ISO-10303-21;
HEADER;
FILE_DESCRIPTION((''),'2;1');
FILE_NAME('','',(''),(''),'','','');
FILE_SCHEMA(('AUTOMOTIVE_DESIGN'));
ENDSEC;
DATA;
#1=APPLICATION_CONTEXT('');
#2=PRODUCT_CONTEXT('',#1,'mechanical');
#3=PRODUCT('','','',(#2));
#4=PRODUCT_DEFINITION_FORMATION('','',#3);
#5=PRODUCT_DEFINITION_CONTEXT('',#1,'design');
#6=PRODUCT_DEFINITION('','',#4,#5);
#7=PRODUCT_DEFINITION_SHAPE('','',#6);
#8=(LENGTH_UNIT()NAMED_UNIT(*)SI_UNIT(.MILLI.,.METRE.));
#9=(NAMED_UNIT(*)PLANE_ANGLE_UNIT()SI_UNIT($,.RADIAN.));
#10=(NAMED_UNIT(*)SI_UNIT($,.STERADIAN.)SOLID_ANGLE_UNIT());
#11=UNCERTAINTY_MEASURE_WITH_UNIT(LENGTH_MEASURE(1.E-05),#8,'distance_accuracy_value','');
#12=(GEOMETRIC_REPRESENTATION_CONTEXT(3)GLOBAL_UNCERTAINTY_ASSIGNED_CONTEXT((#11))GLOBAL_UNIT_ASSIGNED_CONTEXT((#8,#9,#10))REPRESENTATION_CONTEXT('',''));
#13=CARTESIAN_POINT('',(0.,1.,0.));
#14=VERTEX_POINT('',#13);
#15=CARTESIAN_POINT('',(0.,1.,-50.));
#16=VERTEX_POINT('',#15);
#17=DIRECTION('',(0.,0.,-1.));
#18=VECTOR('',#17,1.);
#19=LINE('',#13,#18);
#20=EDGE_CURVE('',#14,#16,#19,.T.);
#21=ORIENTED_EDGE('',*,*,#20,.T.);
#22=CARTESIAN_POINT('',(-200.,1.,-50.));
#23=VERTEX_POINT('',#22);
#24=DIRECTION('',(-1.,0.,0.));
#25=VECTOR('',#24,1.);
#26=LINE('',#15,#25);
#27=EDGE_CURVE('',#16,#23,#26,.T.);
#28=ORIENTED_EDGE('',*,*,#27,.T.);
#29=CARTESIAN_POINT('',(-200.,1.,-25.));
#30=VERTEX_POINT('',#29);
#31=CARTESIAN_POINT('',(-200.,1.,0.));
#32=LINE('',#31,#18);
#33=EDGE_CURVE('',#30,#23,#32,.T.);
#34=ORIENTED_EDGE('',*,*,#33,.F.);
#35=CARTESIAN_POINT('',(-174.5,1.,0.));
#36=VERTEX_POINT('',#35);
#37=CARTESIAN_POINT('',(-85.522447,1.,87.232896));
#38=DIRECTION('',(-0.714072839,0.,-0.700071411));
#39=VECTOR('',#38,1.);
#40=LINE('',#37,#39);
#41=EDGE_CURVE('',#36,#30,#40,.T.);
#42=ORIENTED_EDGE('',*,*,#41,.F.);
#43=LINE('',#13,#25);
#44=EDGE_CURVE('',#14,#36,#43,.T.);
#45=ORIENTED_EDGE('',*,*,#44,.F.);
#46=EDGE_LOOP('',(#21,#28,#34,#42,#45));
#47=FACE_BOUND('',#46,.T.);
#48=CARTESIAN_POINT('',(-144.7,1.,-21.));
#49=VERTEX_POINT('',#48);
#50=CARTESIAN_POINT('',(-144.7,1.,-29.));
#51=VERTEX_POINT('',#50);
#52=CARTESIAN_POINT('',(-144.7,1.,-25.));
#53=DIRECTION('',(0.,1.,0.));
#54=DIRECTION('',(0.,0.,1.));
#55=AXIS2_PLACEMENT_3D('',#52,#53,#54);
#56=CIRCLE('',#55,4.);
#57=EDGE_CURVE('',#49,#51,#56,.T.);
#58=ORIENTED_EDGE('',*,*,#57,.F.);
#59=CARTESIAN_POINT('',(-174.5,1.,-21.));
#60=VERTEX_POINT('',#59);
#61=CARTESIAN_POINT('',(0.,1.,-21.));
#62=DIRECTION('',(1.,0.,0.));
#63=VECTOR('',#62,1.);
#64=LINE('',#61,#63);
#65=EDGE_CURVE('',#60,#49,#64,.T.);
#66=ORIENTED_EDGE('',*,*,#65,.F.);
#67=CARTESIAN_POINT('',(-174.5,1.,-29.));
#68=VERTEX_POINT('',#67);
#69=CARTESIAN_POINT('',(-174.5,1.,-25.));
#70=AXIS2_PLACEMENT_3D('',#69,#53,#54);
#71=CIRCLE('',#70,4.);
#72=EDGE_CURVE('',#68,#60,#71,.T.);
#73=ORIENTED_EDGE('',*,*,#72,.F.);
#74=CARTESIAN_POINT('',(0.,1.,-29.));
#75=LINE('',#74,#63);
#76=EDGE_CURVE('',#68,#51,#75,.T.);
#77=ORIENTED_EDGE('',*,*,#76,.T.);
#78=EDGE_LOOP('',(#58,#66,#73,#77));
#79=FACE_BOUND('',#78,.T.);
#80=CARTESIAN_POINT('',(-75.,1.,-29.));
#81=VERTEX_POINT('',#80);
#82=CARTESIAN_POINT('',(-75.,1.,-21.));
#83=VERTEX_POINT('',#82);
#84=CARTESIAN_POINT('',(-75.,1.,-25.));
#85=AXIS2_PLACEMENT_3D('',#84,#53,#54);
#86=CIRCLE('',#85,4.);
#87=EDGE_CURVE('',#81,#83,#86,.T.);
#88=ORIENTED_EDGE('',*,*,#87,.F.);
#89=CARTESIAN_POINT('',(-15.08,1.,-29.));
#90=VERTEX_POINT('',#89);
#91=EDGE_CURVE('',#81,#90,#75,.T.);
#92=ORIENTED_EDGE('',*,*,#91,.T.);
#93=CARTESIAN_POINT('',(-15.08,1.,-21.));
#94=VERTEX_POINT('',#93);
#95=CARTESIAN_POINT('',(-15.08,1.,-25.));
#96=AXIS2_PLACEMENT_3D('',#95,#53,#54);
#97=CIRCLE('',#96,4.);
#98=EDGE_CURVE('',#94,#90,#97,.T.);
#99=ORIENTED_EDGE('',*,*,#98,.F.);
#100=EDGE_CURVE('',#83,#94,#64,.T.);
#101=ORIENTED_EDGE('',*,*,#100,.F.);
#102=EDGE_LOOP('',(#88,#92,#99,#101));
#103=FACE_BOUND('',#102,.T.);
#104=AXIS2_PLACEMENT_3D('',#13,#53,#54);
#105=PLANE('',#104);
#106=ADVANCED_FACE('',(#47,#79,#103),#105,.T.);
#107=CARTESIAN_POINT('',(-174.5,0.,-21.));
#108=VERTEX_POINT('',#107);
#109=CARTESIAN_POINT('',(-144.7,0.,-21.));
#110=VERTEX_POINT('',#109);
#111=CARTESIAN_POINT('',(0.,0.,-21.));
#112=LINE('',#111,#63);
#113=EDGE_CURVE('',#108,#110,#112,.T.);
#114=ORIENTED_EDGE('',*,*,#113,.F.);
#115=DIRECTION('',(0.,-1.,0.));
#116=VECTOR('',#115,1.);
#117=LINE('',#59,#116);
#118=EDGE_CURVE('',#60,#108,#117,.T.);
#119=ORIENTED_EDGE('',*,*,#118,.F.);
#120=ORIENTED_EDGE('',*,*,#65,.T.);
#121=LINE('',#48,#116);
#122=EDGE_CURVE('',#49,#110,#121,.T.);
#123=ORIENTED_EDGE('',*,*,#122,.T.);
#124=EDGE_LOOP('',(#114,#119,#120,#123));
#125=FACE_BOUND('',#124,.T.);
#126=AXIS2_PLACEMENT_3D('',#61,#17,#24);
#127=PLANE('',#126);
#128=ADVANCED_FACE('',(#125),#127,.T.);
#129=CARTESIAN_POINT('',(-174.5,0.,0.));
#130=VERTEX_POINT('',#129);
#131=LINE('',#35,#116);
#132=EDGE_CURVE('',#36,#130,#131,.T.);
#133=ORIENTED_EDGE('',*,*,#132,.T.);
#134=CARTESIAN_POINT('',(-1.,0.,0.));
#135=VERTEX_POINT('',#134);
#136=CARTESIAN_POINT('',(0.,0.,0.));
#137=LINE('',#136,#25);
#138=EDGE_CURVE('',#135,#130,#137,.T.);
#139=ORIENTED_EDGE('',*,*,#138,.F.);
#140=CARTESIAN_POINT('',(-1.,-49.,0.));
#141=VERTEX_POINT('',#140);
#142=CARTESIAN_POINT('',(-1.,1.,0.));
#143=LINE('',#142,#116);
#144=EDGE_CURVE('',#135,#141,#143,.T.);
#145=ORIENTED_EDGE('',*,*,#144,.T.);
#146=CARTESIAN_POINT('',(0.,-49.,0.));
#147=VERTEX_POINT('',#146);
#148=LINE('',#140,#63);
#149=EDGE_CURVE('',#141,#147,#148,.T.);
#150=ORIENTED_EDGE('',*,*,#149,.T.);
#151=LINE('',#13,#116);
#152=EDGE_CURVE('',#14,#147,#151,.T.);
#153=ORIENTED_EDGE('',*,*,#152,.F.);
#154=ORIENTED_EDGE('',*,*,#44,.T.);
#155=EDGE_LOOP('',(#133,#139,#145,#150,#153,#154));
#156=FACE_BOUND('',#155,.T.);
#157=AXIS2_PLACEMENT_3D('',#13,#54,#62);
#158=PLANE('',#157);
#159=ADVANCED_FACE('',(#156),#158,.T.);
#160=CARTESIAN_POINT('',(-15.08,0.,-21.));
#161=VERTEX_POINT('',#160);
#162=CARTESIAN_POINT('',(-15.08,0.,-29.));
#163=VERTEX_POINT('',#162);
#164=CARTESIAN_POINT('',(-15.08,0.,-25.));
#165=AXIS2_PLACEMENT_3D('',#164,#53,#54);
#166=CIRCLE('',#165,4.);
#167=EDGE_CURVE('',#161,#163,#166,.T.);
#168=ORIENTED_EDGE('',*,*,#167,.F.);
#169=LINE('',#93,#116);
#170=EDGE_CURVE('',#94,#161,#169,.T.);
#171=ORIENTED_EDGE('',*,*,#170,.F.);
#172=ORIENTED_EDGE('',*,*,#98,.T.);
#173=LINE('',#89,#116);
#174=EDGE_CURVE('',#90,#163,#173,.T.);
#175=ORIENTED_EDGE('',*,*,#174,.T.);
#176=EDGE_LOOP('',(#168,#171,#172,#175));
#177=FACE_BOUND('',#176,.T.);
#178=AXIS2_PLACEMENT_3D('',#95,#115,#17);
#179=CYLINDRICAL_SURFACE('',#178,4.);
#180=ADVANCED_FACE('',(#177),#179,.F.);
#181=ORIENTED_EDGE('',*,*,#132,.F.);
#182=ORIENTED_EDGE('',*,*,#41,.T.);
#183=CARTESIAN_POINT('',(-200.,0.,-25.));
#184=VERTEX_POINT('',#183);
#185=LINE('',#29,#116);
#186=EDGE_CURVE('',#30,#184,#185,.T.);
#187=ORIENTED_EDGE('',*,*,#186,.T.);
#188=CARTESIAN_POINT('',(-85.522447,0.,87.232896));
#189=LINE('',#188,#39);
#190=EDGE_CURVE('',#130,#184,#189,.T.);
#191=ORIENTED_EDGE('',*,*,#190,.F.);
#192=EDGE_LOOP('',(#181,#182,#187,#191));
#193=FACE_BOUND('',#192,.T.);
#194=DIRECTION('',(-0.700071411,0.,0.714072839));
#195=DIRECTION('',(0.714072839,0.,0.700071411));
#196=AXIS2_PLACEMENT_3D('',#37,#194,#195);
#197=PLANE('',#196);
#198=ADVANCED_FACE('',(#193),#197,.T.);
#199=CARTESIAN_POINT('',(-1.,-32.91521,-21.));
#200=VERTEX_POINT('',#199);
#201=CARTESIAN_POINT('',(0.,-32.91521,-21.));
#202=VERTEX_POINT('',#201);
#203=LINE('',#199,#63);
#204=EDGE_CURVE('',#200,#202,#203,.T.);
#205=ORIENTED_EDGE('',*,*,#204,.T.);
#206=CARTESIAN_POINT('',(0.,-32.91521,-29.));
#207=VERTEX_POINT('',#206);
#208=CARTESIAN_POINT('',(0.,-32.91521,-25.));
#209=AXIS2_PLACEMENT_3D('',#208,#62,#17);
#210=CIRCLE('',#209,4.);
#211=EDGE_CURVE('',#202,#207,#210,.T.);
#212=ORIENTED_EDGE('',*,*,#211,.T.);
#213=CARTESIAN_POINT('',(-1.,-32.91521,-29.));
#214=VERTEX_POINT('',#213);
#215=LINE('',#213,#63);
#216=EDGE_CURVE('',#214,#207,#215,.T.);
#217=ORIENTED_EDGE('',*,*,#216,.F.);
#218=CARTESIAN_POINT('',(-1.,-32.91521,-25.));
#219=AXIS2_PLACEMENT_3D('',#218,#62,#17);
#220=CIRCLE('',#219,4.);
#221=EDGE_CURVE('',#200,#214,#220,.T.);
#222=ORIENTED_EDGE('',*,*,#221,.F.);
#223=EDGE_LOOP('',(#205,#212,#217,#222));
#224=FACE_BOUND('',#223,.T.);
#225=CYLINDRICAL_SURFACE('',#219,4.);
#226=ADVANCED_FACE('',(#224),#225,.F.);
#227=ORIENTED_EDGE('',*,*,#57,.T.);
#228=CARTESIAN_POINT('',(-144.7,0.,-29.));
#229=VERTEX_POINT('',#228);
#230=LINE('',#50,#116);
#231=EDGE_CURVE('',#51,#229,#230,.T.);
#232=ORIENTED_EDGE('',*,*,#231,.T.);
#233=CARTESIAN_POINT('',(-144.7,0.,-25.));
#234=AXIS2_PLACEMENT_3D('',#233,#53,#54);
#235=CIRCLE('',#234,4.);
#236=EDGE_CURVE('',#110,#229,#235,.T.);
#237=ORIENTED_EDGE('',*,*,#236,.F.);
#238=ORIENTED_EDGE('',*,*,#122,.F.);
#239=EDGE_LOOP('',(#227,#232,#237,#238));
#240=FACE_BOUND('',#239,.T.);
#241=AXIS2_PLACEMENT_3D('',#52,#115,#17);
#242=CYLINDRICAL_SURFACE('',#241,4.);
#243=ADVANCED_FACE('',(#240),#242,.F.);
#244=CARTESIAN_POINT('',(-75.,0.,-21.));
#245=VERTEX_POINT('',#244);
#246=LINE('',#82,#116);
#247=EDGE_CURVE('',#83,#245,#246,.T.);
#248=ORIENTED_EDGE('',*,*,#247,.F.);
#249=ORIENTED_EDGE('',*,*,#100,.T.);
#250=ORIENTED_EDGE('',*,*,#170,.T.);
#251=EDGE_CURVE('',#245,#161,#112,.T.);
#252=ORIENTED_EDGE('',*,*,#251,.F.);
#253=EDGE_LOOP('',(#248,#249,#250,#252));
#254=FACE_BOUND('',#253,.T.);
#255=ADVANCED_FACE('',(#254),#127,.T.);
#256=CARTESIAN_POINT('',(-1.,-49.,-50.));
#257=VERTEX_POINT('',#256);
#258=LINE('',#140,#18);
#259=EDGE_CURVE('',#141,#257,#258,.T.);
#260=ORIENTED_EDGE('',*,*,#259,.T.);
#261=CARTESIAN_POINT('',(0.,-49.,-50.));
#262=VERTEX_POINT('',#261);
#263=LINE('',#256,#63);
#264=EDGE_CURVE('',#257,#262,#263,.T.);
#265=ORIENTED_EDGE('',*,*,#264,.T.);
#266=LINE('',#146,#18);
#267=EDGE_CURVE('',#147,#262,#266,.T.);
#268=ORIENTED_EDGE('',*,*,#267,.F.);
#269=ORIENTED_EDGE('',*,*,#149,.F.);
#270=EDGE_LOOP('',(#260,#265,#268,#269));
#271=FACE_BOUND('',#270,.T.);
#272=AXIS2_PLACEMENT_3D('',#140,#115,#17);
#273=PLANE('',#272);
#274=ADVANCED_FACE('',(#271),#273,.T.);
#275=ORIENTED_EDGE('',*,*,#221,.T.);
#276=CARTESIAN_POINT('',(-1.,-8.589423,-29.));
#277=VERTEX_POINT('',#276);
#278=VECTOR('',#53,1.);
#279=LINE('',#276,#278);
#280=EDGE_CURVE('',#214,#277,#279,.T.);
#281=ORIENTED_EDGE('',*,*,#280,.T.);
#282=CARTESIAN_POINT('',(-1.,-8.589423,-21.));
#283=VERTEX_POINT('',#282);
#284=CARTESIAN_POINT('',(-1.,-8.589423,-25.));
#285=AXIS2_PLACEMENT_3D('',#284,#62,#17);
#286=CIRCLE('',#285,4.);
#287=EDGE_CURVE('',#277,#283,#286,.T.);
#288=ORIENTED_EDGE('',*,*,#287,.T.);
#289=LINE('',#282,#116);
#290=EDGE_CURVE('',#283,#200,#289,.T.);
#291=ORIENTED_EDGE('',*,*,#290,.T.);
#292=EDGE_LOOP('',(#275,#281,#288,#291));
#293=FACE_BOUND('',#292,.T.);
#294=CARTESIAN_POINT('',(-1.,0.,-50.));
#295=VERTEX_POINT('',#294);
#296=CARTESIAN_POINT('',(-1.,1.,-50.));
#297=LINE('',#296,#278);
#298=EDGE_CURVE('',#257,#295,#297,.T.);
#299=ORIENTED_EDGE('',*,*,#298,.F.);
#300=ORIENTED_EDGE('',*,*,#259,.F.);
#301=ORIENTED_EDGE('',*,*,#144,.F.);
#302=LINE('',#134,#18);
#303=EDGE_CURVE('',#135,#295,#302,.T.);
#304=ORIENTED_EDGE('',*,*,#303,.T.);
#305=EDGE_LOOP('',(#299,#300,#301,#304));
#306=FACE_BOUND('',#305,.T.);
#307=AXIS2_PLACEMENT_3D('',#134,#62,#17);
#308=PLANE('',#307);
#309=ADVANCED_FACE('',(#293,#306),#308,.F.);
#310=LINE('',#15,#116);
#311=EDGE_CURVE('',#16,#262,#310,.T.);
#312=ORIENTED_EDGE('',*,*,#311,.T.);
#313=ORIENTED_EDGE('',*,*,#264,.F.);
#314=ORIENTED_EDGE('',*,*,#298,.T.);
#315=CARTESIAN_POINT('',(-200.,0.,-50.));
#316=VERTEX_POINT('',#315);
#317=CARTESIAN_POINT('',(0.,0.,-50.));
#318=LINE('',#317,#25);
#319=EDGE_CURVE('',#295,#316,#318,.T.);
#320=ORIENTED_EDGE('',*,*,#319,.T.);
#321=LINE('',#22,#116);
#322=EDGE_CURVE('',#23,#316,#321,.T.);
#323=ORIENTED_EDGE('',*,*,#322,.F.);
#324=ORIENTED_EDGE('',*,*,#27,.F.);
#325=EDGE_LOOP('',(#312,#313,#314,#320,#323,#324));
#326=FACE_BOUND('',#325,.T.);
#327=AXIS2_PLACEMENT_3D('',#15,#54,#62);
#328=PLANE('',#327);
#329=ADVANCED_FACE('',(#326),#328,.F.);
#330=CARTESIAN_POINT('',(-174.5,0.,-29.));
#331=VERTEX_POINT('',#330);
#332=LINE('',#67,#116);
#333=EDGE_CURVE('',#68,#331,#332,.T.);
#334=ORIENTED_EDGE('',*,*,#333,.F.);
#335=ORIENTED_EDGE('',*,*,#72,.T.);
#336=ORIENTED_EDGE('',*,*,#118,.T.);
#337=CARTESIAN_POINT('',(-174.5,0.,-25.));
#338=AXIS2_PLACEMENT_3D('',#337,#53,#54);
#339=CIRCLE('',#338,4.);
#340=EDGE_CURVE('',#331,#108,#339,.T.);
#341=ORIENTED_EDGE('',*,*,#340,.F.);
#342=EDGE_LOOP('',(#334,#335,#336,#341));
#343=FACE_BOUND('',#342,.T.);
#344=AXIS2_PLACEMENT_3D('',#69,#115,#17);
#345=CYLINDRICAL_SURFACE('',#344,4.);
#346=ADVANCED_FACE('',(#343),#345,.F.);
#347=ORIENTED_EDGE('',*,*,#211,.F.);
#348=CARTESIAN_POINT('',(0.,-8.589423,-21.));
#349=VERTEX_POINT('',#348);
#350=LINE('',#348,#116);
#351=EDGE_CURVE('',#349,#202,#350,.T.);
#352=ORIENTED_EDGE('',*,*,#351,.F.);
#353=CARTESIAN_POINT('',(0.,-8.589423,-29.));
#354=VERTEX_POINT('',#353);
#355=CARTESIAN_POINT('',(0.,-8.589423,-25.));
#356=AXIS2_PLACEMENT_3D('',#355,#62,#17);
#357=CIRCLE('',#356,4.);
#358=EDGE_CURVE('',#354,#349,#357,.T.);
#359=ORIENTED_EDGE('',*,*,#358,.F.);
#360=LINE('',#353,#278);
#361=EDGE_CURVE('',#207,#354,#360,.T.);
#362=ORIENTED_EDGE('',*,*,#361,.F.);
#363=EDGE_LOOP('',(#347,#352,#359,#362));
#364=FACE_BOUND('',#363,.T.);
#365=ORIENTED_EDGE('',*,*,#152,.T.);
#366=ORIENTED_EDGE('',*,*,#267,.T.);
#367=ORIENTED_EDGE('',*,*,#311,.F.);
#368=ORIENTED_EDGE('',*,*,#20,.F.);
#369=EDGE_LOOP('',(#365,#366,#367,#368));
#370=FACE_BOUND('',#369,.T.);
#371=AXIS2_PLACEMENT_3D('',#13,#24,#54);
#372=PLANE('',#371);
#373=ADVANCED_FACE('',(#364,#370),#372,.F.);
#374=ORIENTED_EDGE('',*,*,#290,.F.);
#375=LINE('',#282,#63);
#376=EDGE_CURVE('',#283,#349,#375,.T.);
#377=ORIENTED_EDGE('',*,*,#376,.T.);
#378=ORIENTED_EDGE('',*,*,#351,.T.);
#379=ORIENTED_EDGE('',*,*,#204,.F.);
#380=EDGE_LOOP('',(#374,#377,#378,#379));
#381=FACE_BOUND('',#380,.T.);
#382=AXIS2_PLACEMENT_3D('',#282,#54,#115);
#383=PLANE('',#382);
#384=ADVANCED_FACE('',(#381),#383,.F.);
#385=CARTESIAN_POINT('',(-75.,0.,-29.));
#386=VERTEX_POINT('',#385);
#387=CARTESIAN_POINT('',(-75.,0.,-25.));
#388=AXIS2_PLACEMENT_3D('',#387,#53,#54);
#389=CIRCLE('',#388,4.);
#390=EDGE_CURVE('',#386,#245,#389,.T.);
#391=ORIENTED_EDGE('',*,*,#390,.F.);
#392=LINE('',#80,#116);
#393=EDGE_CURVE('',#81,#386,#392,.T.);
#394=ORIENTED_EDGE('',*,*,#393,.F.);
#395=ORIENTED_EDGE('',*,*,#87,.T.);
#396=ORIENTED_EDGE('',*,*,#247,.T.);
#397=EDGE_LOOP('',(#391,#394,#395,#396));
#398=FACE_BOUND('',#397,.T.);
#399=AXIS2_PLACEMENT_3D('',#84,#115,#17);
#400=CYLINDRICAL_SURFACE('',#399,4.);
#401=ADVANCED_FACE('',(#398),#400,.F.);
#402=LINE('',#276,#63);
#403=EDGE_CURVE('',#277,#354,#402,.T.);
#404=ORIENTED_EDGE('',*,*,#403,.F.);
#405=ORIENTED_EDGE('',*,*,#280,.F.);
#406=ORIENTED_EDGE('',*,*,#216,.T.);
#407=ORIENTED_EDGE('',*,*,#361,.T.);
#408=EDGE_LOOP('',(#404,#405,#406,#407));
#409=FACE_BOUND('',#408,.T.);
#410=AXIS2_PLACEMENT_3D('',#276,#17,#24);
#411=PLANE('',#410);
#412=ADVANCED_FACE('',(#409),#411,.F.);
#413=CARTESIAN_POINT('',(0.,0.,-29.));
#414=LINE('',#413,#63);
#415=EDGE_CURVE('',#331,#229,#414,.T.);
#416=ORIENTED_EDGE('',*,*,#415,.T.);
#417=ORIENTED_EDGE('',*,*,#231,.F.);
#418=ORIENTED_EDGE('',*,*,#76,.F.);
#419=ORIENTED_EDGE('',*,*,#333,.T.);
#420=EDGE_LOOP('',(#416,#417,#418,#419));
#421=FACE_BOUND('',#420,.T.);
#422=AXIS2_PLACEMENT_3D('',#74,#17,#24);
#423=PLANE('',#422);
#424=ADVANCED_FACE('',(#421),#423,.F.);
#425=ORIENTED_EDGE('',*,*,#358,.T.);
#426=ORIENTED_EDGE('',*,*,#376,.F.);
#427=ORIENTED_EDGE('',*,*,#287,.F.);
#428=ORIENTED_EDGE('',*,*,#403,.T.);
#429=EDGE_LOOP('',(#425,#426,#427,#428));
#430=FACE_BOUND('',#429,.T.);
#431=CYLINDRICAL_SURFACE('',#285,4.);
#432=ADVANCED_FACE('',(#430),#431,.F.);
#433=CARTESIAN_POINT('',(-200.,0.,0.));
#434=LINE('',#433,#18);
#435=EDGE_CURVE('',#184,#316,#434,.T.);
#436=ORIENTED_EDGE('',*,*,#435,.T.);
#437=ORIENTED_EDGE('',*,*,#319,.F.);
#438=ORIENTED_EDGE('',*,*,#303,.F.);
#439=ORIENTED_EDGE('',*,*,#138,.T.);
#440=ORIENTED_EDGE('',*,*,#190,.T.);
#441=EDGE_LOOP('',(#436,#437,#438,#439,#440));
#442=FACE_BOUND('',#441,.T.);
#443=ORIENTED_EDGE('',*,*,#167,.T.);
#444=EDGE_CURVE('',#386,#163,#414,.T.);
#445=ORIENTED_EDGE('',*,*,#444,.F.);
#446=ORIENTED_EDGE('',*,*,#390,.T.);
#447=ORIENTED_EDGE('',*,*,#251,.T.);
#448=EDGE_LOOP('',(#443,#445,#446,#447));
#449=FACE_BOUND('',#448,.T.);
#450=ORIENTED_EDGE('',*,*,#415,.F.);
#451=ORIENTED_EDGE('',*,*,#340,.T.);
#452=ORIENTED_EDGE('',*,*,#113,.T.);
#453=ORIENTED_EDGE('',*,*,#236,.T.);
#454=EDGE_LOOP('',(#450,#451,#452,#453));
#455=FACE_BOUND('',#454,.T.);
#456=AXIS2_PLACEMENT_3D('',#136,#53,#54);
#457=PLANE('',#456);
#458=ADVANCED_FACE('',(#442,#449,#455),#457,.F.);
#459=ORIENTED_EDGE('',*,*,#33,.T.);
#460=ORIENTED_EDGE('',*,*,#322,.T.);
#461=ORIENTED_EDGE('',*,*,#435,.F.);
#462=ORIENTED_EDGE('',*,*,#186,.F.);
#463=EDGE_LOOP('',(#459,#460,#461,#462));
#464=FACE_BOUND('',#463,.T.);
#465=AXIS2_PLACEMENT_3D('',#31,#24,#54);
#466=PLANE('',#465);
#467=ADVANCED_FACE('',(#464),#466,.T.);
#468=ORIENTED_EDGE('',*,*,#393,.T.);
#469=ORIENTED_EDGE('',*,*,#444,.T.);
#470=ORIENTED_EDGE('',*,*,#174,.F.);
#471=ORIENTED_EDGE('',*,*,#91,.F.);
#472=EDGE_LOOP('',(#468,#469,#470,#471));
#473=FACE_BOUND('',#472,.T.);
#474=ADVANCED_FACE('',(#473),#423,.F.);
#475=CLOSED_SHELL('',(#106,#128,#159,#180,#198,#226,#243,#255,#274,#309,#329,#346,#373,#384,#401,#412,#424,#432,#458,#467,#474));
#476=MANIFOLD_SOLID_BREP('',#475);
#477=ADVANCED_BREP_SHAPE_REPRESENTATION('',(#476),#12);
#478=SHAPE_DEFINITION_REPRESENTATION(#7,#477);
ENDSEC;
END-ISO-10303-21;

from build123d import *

# Parameters (mm, degrees)
BOSS_EXTRUDE1_DEPTH = 1
SKETCH2_W           = 50
SKETCH2_H           = 50
BOSS_EXTRUDE2_DEPTH = 1
CUT_EXTRUDE1_DEPTH  = 1


with BuildPart() as part:
    # Sketch1 → Boss-Extrude1 (new body)
    with BuildSketch(Plane(origin=(0, 0, 0), x_dir=(1, 0, 0), z_dir=(0, 1, 0))):
        Polygon((-200, 25), (-174.5, 0), (0, 0), (0, 50), (-200, 50), align=None)
        with BuildLine():
            ThreePointArc((-174.5, 21), (-178.5, 25), (-174.5, 29))
            Line((-174.5, 29), (-144.7, 29))
            ThreePointArc((-144.7, 29), (-140.7, 25), (-144.7, 21))
            Line((-144.7, 21), (-174.5, 21))
        make_face(mode=Mode.SUBTRACT)
        with BuildLine():
            ThreePointArc((-75, 21), (-79, 25), (-75, 29))
            Line((-75, 29), (-15.08, 29))
            ThreePointArc((-15.08, 29), (-11.08, 25), (-15.08, 21))
            Line((-15.08, 21), (-75, 21))
        make_face(mode=Mode.SUBTRACT)
    extrude(amount=BOSS_EXTRUDE1_DEPTH)

    # Sketch2 → Boss-Extrude2 (add)
    with BuildSketch(Plane(origin=(0, 0, 0), x_dir=(0, 0, -1), z_dir=(1, 0, 0))):
        with Locations((25, -24)):
            Rectangle(SKETCH2_W, SKETCH2_H)
    extrude(amount=-BOSS_EXTRUDE2_DEPTH)

    # Sketch3 → Cut-Extrude1 (cut)
    with BuildSketch(Plane(origin=(0, 0, 0), x_dir=(0, 0, -1), z_dir=(1, 0, 0))):
        with BuildLine():
            Line((29, -8.58942274), (29, -32.915209985))
            ThreePointArc((29, -32.915209985), (25, -36.915209985), (21, -32.915209985))
            Line((21, -32.915209985), (21, -8.58942274))
            ThreePointArc((21, -8.58942274), (25, -4.58942274), (29, -8.58942274))
        make_face()
    extrude(amount=-CUT_EXTRUDE1_DEPTH, mode=Mode.SUBTRACT)


solid = part.part
